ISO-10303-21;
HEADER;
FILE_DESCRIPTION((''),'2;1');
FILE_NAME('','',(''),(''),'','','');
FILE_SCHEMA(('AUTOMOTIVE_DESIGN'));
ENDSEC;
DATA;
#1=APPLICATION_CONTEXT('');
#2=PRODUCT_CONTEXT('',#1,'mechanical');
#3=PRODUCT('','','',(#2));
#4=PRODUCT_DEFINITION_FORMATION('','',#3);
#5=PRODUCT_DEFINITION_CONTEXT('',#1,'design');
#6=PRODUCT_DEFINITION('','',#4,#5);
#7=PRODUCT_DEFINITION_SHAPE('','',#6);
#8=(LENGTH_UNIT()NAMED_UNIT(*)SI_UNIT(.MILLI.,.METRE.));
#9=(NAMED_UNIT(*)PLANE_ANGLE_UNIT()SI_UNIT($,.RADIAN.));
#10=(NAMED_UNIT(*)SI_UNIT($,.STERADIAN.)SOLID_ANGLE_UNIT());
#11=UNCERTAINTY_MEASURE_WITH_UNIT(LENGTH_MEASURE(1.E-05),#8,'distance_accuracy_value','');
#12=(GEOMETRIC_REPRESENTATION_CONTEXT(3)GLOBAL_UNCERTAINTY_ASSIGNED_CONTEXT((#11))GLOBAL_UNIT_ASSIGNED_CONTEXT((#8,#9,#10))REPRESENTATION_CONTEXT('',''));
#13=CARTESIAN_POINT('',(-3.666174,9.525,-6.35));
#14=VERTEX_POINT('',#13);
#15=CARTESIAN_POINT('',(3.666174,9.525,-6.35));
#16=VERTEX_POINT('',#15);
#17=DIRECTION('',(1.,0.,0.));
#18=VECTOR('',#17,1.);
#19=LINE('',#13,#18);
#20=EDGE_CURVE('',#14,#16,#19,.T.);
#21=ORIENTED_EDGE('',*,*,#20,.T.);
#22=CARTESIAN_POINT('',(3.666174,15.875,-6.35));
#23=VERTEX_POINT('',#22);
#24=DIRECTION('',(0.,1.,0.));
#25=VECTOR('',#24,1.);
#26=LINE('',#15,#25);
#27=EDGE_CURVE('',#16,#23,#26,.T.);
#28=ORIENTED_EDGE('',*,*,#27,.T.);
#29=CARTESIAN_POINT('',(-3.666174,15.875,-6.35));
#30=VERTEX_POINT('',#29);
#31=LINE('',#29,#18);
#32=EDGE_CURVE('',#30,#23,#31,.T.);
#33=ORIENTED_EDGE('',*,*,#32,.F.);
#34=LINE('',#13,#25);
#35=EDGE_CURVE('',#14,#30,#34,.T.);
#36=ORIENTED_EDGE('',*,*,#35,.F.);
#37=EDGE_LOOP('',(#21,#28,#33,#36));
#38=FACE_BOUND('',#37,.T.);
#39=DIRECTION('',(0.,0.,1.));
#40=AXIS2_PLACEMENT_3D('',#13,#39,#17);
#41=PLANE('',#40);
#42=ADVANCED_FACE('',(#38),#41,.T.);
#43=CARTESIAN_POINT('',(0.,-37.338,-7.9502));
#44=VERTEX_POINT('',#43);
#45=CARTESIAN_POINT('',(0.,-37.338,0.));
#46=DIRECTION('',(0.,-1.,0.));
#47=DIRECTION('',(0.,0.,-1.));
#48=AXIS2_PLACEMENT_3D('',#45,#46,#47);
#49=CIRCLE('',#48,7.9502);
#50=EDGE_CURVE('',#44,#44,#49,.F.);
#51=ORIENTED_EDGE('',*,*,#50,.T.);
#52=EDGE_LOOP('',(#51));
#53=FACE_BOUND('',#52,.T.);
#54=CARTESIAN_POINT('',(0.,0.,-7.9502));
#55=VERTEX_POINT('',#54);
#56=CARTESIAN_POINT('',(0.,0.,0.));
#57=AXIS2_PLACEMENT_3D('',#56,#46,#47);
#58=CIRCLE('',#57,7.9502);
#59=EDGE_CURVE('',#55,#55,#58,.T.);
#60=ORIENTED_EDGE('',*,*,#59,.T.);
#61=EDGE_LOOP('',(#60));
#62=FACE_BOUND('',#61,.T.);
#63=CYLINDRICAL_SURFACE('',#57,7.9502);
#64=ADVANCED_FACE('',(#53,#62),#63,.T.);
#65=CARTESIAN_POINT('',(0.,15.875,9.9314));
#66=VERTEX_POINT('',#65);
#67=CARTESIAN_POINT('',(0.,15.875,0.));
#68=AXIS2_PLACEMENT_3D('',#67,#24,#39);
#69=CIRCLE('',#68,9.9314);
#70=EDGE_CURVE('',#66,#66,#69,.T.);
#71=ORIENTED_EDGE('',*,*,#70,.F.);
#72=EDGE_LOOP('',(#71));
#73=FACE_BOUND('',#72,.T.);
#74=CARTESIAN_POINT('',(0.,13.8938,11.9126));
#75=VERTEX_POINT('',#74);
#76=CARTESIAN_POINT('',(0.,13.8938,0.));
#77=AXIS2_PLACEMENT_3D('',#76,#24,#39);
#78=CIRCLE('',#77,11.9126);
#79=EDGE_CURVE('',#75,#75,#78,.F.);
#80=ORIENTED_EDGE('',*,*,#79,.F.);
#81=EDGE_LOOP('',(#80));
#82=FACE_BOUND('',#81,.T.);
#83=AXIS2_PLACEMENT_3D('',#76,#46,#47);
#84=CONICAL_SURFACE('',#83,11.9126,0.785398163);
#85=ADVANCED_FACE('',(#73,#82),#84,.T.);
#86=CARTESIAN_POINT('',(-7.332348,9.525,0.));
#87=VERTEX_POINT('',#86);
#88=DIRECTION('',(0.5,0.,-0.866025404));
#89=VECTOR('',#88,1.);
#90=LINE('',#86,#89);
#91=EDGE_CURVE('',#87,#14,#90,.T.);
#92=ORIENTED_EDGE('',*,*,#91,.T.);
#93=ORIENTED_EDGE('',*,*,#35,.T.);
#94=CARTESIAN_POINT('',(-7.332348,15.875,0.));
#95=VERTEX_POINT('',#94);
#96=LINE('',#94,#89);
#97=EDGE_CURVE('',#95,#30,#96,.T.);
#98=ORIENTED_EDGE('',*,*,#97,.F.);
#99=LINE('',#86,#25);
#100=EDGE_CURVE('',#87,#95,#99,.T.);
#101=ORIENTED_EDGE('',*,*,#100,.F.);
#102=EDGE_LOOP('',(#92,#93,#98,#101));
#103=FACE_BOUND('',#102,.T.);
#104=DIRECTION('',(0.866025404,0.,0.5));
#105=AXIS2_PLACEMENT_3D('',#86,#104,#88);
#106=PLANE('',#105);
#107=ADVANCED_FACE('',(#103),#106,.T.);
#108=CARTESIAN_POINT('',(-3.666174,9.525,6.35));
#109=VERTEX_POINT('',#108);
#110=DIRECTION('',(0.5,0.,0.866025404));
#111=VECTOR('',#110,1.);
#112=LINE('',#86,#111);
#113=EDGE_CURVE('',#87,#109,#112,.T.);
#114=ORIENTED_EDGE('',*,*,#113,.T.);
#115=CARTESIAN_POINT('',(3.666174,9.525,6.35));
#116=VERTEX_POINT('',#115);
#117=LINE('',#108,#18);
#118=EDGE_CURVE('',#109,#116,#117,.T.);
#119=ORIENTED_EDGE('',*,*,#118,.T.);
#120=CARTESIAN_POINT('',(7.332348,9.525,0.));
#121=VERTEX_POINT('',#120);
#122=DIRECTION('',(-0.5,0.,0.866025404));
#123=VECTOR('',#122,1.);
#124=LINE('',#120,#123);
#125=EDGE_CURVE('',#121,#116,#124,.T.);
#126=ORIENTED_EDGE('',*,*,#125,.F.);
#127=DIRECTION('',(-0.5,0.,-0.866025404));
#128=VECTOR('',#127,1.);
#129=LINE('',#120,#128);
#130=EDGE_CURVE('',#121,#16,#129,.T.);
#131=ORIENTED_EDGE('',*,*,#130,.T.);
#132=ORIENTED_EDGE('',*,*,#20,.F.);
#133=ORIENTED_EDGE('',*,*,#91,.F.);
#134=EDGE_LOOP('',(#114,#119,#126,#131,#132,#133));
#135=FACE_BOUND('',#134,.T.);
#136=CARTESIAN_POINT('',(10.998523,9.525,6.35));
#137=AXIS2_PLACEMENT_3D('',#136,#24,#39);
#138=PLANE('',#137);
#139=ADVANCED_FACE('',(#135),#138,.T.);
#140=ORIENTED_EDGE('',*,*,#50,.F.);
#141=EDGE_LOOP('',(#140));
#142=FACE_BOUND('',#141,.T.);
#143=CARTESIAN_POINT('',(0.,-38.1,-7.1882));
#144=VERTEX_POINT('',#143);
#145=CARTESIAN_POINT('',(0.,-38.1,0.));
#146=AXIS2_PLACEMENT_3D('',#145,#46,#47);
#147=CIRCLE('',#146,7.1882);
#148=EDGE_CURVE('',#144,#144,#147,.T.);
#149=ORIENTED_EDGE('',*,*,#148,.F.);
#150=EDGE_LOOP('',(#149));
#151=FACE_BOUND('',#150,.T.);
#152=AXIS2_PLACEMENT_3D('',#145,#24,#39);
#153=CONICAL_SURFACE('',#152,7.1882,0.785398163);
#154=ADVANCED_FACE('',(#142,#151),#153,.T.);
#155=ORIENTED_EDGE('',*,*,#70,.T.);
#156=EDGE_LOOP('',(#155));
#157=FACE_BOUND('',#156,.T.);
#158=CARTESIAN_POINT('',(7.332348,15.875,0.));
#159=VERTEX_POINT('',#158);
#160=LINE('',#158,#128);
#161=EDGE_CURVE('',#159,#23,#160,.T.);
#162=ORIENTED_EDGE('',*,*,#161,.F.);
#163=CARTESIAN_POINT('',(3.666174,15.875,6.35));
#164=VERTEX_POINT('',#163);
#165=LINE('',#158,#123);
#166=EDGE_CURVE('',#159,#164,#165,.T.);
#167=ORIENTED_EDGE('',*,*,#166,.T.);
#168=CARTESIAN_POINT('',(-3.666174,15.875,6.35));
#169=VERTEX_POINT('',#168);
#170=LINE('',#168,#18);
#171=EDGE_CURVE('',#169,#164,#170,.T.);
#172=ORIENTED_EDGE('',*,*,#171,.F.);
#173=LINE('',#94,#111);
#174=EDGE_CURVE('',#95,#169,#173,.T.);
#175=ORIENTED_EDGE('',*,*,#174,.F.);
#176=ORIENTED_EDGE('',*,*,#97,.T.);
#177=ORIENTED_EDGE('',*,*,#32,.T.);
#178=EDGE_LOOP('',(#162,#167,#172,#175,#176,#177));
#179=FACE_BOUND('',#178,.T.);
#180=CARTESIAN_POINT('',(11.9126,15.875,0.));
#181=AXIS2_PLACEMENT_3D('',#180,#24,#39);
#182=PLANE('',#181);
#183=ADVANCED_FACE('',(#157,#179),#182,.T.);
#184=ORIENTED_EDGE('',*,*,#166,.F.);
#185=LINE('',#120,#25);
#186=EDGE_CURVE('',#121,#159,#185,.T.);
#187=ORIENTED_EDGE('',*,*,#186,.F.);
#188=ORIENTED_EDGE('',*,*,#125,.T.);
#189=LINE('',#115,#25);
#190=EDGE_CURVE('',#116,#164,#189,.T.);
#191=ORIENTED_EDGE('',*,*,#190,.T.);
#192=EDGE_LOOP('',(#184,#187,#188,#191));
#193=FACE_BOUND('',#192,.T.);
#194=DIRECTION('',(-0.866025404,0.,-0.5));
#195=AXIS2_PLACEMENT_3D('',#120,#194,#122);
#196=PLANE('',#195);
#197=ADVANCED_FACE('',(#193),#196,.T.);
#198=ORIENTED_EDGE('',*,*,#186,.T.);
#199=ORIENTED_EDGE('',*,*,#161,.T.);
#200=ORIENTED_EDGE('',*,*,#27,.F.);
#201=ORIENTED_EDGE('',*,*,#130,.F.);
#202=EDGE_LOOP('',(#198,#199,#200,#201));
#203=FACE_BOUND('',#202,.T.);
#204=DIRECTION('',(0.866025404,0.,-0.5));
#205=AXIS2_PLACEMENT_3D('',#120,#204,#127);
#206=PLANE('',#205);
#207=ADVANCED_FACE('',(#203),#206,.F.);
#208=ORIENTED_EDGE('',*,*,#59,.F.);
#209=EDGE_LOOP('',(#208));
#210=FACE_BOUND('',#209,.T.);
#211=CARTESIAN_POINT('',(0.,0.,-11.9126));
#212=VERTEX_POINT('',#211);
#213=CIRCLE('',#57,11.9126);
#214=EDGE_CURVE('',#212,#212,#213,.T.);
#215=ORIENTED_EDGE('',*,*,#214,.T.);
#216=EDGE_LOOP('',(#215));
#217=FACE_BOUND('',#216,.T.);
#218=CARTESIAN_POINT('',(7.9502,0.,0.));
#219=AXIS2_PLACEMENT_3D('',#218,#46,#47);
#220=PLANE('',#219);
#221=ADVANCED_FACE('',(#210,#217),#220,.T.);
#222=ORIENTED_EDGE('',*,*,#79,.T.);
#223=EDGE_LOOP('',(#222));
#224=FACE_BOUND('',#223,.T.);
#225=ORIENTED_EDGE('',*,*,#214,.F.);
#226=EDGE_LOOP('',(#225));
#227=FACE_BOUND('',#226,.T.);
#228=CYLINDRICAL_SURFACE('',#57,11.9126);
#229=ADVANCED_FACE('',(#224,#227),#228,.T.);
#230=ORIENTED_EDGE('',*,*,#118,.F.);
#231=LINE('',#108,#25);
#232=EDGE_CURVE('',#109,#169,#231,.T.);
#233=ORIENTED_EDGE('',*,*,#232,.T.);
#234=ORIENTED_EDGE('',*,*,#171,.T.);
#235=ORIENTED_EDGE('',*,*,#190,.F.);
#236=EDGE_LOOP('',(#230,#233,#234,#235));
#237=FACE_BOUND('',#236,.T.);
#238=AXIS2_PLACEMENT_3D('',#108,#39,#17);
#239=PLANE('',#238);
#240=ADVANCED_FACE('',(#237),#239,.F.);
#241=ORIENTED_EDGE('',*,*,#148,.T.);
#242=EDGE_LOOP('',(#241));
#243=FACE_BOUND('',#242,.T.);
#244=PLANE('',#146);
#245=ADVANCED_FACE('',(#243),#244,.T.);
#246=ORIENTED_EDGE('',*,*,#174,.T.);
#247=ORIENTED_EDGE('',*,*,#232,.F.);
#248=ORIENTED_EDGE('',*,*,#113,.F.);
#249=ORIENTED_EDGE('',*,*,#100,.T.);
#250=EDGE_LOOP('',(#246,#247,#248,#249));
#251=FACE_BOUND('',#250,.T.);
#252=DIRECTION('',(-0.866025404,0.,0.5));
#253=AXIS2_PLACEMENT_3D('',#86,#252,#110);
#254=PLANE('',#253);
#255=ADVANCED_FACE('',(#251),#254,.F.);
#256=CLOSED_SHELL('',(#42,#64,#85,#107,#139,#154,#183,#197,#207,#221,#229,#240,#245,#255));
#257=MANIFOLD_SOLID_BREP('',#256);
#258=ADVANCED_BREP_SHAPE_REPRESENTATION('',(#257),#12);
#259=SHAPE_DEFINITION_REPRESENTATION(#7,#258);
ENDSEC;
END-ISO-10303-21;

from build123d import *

# Parameters (mm, degrees)
CUT_EXTRUDE1_DEPTH = 6.35
CHAMFER1_SIZE      = 1.9812
CHAMFER2_SIZE      = 0.762


with BuildPart() as part:
    # Sketch1 → Base-Revolve (revolve)
    with BuildSketch(Plane.XY, mode=Mode.PRIVATE) as base_revolve_sk:
        Polygon((7.9502, 0), (11.9126, 0), (11.9126, 15.875), (0, 15.875), (0, -38.1), (7.9502, -38.1), align=None)
    revolve(base_revolve_sk.sketch.rotate(Axis((0, 0, 0), (0, 1, 0)), 90), axis=Axis((0, 0, 0), (0, 1, 0)))

    # Sketch2 → Cut-Extrude1 (cut)
    with BuildSketch(Plane(origin=(0, 15.875, 0), x_dir=(-1, 0, 0), z_dir=(0, 1, 0))):
        Polygon((3.666174209, -6.35), (-3.666174209, -6.35), (-7.332348419, 0), (-3.666174209, 6.35), (3.666174209, 6.35), (7.332348419, 0), align=None)
    extrude(amount=-CUT_EXTRUDE1_DEPTH, mode=Mode.SUBTRACT)

    # Chamfer1
    chamfer1_edges = [part.edges().sort_by_distance(p)[0] for p in [
        (0, 15.875, 11.9126),
    ]]
    chamfer(chamfer1_edges, length=CHAMFER1_SIZE)

    # Chamfer2
    chamfer2_edges = [part.edges().sort_by_distance(p)[0] for p in [
        (0, -38.1, 7.9502),
    ]]
    chamfer(chamfer2_edges, length=CHAMFER2_SIZE)


solid = part.part
